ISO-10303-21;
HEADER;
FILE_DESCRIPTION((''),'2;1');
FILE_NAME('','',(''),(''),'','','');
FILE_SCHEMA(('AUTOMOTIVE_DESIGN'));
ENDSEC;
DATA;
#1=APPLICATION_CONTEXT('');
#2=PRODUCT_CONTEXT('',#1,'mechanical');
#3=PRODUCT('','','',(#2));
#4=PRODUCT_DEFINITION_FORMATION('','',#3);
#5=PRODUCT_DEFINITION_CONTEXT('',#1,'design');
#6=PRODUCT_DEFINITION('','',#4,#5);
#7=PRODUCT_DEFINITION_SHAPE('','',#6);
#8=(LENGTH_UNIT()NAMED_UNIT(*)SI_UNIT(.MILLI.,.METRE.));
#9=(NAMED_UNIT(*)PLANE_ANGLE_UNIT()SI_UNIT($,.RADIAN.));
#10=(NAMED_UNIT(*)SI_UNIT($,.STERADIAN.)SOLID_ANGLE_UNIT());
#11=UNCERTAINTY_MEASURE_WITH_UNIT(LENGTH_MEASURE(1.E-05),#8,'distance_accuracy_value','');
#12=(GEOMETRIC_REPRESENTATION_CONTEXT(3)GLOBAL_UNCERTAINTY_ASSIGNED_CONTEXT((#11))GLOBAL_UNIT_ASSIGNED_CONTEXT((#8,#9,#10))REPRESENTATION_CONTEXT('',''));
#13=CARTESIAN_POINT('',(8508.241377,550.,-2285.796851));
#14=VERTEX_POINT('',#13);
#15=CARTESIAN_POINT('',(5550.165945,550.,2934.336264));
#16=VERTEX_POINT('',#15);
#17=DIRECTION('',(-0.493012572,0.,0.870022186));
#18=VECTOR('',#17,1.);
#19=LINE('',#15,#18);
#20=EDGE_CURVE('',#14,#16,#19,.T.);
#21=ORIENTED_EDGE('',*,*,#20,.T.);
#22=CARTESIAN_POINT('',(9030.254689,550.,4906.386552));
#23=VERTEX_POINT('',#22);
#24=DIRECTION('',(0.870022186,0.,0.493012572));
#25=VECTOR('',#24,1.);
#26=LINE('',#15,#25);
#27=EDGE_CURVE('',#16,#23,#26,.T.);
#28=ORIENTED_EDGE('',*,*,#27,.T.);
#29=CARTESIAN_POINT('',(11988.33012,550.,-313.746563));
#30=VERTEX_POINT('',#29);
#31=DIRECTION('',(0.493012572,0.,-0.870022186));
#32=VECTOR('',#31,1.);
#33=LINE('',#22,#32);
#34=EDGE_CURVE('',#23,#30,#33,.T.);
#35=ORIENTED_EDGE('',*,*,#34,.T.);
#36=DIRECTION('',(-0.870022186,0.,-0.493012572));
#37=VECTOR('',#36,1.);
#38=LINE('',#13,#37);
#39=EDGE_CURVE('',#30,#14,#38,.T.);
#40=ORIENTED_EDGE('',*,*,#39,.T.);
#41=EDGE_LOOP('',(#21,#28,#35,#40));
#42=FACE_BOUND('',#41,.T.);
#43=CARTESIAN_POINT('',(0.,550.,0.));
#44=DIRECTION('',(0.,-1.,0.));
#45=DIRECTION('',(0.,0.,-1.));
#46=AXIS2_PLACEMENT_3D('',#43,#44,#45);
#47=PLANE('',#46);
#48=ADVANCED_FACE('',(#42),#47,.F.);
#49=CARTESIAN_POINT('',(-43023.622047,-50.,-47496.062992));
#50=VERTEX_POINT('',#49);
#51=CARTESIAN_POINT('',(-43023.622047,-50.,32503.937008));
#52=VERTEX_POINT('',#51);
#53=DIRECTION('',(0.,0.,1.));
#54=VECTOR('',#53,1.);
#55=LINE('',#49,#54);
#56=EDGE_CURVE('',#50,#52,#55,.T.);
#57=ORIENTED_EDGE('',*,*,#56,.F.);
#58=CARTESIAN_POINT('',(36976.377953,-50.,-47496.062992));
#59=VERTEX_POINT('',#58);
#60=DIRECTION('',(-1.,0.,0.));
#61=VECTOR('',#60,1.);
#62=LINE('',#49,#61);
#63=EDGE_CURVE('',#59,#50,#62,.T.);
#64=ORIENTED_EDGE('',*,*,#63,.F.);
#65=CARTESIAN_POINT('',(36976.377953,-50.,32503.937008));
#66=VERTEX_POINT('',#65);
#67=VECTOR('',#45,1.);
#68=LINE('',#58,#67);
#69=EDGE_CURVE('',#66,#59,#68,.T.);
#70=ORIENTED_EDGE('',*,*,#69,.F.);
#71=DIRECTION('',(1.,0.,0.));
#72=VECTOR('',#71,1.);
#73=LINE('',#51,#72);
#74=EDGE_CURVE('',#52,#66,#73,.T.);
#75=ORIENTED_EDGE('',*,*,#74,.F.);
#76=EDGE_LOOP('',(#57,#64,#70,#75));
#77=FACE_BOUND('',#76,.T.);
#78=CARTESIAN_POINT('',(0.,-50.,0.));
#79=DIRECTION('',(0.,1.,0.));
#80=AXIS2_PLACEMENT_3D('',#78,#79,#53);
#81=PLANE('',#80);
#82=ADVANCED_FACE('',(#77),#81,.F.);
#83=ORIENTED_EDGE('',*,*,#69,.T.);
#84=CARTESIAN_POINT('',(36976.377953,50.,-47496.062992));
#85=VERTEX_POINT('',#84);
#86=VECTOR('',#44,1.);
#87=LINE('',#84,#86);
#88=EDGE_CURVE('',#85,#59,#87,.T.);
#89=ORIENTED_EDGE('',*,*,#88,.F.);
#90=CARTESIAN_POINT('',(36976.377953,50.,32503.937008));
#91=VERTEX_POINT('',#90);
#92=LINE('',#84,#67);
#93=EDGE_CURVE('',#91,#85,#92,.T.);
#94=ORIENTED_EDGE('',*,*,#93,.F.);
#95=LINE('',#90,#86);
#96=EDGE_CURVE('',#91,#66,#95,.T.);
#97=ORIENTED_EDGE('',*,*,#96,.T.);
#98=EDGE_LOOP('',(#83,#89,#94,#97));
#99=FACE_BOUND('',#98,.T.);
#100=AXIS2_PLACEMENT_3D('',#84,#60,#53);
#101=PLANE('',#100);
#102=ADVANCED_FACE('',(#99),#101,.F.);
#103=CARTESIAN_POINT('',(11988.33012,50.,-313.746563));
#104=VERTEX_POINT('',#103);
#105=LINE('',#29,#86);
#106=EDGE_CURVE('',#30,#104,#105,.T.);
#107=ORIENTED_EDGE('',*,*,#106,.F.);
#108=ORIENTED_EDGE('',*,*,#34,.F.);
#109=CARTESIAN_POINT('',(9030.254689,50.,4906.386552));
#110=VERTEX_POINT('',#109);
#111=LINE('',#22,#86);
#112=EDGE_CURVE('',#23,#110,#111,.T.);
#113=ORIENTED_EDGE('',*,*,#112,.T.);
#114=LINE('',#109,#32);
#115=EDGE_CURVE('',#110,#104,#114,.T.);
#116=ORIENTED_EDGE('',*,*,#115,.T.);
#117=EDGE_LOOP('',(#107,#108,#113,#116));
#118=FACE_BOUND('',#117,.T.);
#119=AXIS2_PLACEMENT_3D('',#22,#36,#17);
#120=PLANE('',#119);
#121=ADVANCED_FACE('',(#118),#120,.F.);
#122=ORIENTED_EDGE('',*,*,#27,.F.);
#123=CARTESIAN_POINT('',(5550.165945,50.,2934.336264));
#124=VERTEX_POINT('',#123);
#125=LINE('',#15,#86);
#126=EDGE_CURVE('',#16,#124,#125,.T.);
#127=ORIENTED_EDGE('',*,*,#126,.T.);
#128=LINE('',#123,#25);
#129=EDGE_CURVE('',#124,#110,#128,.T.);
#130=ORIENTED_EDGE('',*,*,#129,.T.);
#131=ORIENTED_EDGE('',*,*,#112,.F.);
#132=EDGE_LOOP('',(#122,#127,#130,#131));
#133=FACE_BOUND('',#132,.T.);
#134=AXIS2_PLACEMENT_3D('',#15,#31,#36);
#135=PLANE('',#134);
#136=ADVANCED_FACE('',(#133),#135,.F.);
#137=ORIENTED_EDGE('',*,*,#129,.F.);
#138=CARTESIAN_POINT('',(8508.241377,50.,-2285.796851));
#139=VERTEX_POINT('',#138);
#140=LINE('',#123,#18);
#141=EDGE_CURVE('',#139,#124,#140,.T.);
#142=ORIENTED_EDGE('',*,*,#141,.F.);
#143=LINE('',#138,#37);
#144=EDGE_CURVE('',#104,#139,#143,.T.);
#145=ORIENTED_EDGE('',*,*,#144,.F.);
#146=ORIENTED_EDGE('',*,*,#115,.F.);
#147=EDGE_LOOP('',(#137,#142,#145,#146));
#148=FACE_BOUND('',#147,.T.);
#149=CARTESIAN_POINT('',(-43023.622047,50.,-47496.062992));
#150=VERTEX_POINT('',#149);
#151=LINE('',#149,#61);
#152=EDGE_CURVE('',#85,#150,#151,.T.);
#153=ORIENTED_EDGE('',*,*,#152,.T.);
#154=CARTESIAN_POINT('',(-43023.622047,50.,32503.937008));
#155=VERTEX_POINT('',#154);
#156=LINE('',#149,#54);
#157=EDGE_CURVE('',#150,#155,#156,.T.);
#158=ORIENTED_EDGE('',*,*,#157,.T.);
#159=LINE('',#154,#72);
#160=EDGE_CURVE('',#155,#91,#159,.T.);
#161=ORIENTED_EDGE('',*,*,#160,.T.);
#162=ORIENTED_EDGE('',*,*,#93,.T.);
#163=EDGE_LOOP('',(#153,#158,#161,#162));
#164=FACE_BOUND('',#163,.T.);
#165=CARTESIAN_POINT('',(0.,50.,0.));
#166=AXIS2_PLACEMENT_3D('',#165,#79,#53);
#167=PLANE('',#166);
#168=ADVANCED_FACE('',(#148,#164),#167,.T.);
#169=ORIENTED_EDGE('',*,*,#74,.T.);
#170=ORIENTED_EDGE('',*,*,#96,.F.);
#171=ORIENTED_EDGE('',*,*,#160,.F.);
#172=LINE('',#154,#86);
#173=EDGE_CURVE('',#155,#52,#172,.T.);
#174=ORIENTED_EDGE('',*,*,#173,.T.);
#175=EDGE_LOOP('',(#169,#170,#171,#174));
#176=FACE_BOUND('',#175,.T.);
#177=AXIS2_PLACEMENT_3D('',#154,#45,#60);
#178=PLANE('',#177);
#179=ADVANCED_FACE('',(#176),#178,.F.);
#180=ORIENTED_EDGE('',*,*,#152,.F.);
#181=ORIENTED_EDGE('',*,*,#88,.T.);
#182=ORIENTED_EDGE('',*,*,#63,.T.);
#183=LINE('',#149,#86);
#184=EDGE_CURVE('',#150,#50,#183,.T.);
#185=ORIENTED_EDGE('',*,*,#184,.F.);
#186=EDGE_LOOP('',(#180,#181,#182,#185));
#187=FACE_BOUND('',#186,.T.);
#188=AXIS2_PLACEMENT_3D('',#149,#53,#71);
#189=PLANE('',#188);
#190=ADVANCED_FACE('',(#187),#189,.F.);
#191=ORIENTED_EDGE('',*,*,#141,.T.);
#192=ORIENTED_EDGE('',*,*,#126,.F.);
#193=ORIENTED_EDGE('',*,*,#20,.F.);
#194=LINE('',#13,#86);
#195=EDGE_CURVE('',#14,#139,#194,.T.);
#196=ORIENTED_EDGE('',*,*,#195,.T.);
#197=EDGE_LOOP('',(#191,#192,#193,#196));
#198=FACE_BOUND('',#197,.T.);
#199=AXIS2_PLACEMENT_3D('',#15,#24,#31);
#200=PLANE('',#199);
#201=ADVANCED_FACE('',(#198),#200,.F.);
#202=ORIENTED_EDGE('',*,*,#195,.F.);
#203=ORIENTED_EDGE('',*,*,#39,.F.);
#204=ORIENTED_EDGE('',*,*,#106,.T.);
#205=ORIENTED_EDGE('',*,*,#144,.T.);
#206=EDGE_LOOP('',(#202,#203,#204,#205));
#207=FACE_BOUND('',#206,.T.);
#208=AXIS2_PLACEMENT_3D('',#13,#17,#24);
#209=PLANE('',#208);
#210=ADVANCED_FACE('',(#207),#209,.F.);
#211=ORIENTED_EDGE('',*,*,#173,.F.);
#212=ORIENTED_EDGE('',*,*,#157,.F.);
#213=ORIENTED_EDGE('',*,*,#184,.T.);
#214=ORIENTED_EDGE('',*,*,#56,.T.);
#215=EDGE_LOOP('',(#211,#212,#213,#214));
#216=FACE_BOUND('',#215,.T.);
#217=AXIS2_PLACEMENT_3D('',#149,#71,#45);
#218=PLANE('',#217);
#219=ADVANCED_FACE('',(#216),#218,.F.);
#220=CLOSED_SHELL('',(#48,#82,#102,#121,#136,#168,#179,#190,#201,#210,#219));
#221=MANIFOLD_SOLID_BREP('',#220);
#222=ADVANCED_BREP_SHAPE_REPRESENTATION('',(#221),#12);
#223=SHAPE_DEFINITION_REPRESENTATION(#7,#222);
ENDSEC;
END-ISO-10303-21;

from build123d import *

# Parameters (mm, degrees)
SKETCH1_W           = 80000
SKETCH1_H           = 80000
BOSS_EXTRUDE1_DEPTH = 50
BOSS_EXTRUDE2_DEPTH = 500


with BuildPart() as part:
    # Sketch1 → Boss-Extrude1 (new body, symmetric)
    with BuildSketch(Plane(origin=(0, 0, 0), x_dir=(1, 0, 0), z_dir=(0, 1, 0))):
        with Locations((-3023.622047244, 7496.062992126)):
            Rectangle(SKETCH1_W, SKETCH1_H)
    extrude(amount=BOSS_EXTRUDE1_DEPTH, both=True)

    # Sketch2 → Boss-Extrude2 (add)
    with BuildSketch(Plane(origin=(0, 50, 0), x_dir=(1, 0, 0), z_dir=(0, 1, 0))):
        Polygon((5550.165945197, -2934.336264448), (9030.254688591, -4906.386552372), (11988.330120476, 313.74656272), (8508.241377082, 2285.796850643), align=None)
    extrude(amount=BOSS_EXTRUDE2_DEPTH)


solid = part.part
